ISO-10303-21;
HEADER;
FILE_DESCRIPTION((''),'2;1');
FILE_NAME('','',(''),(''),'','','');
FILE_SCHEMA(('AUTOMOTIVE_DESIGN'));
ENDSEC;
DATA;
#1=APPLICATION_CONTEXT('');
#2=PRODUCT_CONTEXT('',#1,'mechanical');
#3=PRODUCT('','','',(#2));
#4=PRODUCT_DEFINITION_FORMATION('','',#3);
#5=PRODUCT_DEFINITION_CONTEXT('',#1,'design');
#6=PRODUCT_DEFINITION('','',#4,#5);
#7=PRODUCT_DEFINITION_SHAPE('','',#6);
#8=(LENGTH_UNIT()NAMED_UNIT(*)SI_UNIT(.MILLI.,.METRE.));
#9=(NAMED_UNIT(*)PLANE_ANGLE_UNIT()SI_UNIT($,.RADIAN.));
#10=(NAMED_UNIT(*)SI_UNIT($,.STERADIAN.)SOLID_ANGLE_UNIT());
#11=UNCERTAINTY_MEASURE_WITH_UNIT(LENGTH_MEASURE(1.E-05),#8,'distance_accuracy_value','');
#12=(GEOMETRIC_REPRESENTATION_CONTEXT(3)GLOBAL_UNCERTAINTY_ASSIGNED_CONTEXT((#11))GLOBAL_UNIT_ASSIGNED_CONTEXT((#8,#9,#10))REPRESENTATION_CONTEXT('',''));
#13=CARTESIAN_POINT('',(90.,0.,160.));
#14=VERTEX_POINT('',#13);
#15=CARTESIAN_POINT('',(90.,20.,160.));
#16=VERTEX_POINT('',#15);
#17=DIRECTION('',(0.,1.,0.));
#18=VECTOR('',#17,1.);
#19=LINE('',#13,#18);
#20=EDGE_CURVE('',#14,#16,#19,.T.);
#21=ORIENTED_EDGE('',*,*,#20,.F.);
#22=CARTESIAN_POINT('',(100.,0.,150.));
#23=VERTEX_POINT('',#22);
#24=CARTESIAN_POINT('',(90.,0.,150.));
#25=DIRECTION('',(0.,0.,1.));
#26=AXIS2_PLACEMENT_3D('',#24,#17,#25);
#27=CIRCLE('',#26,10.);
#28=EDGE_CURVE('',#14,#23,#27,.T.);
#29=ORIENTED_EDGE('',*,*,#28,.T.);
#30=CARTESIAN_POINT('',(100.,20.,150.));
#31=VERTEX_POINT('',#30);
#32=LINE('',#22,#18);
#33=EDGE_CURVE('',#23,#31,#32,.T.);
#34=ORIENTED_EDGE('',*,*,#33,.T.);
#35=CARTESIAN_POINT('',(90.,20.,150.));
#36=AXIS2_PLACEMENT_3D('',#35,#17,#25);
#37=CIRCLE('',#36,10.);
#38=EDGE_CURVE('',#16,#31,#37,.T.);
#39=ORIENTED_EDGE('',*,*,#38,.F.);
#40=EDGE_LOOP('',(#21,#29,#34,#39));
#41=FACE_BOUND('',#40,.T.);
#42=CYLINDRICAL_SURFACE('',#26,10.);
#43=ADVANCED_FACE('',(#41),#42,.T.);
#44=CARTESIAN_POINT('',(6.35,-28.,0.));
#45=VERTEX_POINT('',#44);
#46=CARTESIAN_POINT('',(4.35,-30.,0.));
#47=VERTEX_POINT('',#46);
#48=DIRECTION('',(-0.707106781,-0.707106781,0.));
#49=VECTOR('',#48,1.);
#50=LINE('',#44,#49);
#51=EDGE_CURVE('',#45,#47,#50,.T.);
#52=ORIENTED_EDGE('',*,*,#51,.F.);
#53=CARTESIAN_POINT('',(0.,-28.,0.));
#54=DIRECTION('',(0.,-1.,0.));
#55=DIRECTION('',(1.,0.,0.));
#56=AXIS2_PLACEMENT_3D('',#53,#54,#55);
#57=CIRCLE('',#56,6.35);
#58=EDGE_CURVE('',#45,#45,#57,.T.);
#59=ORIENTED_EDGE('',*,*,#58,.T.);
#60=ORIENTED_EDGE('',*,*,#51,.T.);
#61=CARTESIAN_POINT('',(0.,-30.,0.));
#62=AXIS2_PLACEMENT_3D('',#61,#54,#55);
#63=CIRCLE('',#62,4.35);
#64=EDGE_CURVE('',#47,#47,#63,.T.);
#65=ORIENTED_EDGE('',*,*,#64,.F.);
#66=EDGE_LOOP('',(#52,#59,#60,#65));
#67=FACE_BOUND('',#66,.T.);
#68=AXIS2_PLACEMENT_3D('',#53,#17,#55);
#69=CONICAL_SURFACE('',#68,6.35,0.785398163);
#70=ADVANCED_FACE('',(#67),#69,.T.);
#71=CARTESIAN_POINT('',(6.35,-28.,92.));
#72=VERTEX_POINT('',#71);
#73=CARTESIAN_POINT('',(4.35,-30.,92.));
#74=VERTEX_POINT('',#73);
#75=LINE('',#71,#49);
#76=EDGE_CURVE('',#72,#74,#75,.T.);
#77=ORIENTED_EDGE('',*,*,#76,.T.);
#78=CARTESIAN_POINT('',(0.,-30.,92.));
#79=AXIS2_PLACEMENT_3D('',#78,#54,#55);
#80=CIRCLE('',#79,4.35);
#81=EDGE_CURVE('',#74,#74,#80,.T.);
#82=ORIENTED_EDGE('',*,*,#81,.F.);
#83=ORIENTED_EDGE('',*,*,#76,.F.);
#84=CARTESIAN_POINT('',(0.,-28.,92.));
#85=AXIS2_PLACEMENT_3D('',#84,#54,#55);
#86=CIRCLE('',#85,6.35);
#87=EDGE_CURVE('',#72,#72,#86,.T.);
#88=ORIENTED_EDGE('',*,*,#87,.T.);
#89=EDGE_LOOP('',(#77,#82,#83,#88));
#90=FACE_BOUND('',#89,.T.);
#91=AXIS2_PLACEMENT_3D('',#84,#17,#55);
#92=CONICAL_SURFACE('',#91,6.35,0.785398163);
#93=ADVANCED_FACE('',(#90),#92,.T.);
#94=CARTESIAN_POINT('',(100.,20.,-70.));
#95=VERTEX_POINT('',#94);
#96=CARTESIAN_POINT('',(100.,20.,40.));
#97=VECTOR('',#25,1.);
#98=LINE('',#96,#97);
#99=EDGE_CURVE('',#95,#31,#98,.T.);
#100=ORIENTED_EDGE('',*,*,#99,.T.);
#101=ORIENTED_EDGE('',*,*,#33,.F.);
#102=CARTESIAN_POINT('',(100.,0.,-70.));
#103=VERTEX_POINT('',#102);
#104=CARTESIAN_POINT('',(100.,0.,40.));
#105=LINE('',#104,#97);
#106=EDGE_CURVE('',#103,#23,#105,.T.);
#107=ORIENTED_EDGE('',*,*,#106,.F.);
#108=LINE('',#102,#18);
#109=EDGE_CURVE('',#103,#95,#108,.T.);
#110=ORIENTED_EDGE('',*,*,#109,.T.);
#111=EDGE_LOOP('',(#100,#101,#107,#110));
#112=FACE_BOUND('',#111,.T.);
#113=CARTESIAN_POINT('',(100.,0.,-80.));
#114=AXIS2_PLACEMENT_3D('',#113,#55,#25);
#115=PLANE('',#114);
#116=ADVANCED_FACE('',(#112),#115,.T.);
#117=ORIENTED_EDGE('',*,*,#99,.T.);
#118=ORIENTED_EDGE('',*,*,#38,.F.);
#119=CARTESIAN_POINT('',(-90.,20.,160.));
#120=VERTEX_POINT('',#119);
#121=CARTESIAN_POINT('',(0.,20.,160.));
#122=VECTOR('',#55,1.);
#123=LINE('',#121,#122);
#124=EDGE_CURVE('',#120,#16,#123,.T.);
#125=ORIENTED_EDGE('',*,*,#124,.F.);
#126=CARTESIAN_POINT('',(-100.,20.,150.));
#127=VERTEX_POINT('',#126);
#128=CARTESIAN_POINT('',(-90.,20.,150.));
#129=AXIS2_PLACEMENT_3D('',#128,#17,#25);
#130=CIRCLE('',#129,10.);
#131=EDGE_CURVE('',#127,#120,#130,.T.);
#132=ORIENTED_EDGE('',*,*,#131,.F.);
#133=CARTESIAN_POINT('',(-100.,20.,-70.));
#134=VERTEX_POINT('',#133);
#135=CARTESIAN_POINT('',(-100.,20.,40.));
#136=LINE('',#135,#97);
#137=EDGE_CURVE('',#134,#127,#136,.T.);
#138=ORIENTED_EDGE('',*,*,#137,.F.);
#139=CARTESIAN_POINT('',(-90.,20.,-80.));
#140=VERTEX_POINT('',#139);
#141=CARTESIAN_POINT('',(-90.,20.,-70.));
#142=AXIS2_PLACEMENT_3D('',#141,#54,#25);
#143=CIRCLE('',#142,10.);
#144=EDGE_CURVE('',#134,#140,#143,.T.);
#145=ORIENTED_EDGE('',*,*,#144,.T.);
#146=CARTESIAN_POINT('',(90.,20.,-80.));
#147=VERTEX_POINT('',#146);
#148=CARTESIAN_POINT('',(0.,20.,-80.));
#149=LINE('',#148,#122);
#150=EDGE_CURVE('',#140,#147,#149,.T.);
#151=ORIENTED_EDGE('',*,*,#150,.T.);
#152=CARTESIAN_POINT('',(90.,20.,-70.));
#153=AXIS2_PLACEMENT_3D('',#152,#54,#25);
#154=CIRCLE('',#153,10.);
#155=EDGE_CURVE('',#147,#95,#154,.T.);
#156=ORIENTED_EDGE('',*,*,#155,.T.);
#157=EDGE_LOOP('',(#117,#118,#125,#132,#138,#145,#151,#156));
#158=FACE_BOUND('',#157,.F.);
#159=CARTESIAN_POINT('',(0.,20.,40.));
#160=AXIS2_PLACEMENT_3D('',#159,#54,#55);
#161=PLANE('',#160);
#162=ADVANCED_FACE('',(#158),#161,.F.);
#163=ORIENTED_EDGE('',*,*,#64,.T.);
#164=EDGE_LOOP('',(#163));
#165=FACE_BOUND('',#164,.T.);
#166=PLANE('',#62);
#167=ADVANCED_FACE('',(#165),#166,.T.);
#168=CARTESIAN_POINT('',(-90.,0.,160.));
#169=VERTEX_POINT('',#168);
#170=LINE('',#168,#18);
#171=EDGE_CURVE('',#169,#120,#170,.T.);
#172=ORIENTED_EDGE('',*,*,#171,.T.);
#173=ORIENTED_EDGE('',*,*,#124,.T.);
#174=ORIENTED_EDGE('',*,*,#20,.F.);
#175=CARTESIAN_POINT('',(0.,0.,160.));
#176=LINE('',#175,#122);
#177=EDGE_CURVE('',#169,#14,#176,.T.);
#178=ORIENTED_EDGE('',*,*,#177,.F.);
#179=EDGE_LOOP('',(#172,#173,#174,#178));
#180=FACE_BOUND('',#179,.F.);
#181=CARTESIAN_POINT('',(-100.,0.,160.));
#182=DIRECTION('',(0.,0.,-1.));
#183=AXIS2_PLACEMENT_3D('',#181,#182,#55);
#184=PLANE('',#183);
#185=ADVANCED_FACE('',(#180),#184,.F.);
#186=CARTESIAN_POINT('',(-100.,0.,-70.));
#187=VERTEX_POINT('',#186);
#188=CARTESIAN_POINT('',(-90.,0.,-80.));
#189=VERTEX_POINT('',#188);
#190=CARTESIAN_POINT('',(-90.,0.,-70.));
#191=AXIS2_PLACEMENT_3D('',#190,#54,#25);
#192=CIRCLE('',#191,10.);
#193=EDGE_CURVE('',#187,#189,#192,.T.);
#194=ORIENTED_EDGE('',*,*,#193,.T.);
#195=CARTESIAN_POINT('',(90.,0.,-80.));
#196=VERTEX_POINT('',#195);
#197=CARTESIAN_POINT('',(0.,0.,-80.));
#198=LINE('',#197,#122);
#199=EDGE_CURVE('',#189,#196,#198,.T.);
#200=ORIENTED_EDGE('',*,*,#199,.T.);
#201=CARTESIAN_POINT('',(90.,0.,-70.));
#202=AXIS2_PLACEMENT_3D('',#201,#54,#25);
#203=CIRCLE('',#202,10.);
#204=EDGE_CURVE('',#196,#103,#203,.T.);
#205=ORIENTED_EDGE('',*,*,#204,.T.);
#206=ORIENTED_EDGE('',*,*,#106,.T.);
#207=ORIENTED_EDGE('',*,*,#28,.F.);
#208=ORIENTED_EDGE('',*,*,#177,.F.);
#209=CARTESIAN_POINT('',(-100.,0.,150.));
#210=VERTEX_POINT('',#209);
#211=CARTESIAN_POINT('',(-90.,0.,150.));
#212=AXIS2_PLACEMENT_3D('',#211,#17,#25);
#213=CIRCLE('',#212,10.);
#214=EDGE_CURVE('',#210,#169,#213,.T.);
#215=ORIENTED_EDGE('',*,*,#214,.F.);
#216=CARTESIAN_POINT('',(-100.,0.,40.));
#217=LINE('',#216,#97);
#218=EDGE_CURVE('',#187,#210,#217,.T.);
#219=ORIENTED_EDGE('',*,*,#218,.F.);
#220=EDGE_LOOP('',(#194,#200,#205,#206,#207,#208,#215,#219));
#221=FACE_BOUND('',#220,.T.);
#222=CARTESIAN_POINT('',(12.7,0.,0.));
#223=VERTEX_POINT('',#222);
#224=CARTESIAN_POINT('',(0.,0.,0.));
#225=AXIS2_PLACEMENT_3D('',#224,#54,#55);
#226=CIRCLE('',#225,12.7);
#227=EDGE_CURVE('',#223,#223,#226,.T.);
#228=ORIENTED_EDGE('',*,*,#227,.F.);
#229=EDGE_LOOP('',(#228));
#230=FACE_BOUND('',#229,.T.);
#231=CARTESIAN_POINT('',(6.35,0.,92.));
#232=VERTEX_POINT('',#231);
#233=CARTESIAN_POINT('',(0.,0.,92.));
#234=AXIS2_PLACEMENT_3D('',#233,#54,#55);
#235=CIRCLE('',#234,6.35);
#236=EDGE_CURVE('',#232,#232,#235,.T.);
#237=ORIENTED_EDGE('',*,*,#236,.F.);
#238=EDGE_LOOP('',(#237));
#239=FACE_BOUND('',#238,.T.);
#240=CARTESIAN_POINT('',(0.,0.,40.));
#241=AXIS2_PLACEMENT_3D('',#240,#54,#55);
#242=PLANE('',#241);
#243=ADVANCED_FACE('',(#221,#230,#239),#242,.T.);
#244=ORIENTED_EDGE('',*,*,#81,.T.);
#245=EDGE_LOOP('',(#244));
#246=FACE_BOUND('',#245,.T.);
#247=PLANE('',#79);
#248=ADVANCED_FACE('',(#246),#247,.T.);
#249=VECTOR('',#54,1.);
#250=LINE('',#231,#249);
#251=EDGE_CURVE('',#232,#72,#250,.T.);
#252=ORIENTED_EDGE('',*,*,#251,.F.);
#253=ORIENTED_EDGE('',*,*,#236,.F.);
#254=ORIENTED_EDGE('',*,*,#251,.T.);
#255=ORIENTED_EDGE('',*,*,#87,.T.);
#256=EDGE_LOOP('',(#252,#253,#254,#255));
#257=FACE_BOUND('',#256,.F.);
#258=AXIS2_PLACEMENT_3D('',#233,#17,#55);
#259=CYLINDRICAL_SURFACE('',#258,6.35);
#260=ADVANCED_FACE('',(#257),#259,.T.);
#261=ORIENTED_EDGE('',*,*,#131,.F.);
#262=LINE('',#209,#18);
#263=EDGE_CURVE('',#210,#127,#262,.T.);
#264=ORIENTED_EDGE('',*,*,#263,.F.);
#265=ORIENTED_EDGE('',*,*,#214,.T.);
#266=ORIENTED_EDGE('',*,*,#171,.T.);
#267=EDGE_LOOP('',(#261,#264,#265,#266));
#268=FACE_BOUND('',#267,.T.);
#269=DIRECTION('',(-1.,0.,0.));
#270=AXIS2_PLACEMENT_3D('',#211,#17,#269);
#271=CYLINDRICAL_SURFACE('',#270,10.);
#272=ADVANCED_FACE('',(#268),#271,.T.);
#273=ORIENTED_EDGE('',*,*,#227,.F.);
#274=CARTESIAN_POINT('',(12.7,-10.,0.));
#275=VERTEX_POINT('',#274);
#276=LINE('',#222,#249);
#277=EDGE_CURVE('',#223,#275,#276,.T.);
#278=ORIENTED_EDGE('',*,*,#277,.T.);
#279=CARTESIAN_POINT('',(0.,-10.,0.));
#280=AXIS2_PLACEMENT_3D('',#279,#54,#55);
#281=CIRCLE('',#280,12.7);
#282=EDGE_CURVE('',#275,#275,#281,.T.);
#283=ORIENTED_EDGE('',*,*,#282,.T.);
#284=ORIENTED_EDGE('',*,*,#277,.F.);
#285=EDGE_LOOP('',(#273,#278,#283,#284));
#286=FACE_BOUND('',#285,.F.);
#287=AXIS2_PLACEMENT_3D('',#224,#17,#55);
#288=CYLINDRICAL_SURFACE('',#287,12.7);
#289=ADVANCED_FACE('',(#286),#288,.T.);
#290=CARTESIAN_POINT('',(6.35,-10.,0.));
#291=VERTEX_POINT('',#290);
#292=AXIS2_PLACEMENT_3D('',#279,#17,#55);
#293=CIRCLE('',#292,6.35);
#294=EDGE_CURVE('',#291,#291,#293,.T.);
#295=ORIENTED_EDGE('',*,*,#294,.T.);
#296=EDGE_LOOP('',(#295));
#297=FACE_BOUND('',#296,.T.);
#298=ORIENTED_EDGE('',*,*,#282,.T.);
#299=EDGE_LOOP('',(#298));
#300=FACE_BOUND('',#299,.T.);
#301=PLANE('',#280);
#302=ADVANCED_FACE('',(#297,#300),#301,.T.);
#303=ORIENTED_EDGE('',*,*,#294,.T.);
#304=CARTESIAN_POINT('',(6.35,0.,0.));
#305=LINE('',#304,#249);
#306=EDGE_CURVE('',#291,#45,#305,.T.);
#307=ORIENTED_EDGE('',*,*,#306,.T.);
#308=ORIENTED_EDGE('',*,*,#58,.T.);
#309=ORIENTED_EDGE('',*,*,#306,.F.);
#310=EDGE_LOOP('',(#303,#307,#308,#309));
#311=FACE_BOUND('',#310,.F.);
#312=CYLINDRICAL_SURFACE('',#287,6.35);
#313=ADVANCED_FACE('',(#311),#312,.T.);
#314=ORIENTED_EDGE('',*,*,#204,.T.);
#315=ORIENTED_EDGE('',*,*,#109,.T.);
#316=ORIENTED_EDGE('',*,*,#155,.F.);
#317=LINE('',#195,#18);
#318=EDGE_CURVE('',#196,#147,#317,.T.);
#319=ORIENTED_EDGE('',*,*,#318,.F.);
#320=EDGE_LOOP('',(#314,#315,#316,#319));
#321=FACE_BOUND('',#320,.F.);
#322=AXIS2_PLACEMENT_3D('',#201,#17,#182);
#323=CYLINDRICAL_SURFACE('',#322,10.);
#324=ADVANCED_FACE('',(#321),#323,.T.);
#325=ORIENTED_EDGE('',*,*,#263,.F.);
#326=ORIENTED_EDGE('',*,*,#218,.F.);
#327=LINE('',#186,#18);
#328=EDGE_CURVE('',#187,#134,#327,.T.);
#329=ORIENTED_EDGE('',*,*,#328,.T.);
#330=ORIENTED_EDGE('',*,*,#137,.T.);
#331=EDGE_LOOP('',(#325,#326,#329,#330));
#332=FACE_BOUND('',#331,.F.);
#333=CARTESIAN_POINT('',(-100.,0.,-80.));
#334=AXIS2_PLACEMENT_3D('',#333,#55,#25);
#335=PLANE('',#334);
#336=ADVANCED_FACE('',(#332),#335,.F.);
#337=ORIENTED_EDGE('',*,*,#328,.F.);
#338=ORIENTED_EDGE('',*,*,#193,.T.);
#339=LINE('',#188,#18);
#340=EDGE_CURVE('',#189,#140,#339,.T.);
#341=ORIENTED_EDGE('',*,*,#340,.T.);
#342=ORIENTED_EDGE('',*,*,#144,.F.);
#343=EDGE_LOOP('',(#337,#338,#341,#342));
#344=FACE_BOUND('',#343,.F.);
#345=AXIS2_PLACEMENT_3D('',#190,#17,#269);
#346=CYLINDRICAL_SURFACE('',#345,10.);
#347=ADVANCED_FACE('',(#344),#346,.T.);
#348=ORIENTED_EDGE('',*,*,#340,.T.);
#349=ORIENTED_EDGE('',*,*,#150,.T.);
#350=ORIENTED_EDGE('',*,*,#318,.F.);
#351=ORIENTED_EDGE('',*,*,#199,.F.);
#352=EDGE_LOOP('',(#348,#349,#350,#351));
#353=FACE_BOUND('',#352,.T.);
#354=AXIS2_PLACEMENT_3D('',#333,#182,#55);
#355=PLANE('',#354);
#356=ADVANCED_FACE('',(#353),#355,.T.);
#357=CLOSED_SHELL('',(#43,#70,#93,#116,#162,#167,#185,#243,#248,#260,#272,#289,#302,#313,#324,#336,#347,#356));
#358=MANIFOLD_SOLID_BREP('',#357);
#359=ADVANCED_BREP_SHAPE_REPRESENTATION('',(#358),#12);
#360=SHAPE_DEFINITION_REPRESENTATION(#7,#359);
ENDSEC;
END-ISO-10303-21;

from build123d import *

# Parameters (mm, degrees)
F1_W     = 200
F1_H     = 240
F2_DEPTH = 20
F3_R     = 6.35
F4_DEPTH = 30
F5_SIZE  = 2
F6_R     = 10
F7_R     = 12.7
F8_DEPTH = 10


with BuildPart() as f2:
    # F1 (on Front) → F2 (new body)
    with BuildSketch(Plane.XZ):
        with Locations((0, 40)):
            Rectangle(F1_W, F1_H)
    extrude(amount=-F2_DEPTH)

    # F3 (on Front) → F4 (join)
    with BuildSketch(Plane.XZ):
        with Locations((0, 92)):
            Circle(F3_R)
        Circle(F3_R)
    extrude(amount=F4_DEPTH)

    # F5
    f5_edges = [f2.edges().sort_by_distance(p)[0] for p in [
        (-6.35, -30, 92),
        (-6.35, -30, 0),
    ]]
    chamfer(f5_edges, length=F5_SIZE)

    # F6
    f6_edges = [f2.edges().sort_by_distance(p)[0] for p in [
        (-100, 10, 160),
        (-100, 10, -80),
        (100, 10, -80),
        (100, 10, 160),
    ]]
    fillet(f6_edges, radius=F6_R)

    # F7 (on face) → F8 (join)
    with BuildSketch(Plane.XZ):
        Circle(F7_R)
    extrude(amount=F8_DEPTH)


solid = f2.part
